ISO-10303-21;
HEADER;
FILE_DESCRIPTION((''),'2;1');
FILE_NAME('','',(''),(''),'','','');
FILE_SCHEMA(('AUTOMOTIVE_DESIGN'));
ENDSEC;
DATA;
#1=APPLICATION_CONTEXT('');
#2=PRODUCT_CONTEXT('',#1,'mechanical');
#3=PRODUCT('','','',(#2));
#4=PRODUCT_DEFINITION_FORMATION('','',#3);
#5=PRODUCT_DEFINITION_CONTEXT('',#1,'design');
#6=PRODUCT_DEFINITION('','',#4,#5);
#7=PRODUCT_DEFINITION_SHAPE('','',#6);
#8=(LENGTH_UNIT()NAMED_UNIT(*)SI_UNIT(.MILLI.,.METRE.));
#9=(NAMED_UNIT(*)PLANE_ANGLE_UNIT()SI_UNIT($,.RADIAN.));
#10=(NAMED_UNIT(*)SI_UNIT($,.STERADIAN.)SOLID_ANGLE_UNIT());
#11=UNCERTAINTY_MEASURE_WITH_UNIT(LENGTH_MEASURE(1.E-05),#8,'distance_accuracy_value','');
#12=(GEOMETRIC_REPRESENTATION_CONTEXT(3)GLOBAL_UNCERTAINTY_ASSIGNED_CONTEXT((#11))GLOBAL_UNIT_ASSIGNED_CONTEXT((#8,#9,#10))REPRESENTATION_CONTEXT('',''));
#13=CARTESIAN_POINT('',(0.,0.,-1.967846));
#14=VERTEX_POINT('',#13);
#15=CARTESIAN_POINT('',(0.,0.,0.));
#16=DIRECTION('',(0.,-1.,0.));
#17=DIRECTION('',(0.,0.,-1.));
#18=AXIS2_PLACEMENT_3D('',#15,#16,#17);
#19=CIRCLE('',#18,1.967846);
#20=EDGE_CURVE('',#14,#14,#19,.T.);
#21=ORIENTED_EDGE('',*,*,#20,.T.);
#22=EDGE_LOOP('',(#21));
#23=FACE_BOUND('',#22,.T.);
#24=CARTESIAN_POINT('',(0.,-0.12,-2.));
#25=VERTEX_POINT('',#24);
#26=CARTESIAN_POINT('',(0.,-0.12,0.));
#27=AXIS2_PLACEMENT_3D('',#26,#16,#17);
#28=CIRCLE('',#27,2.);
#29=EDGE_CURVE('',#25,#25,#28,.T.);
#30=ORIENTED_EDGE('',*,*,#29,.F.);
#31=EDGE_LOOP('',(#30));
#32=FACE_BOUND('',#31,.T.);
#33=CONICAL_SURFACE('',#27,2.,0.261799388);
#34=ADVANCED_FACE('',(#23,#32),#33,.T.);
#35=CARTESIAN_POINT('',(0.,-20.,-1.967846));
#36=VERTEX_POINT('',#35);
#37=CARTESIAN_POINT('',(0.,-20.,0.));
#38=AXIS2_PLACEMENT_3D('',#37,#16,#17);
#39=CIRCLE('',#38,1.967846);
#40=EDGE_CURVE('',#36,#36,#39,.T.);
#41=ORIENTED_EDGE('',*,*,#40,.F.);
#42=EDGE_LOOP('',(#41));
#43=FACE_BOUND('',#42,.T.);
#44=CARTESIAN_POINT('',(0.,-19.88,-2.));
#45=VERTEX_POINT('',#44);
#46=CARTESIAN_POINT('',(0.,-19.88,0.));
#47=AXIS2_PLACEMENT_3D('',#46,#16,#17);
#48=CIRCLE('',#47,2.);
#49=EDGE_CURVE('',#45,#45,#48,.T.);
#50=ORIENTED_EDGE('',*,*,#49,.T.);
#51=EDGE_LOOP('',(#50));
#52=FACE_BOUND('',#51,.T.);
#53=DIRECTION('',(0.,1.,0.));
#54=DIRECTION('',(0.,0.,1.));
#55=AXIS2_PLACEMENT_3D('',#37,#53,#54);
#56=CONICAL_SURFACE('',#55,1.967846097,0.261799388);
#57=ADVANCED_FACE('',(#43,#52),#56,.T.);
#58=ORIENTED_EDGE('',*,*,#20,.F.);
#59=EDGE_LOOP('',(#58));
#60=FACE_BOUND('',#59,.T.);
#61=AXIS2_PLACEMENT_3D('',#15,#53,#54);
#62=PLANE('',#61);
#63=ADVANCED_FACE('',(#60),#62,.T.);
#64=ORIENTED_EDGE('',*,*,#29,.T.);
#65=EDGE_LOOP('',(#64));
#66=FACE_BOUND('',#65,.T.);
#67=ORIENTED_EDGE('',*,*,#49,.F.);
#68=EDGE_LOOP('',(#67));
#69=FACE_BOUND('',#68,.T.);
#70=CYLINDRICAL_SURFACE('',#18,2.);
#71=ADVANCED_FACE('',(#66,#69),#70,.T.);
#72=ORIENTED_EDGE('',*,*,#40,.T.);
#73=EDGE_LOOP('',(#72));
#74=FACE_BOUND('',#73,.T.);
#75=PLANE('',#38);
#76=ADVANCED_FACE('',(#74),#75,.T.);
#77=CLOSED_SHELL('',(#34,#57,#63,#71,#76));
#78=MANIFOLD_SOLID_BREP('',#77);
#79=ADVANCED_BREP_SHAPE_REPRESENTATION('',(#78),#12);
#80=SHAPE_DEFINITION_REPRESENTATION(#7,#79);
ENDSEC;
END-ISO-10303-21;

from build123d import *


with BuildPart() as part:
    # Esquisse1 → Base-Révolution (revolve)
    with BuildSketch(Plane.XY, mode=Mode.PRIVATE) as base_r_volution_sk:
        Polygon((2, -19.88), (2, -0.12), (1.967846097, 0), (0, 0), (0, -20), (1.967846097, -20), align=None)
    revolve(base_r_volution_sk.sketch.rotate(Axis((0, 0, 0), (0, 1, 0)), 90), axis=Axis((0, 0, 0), (0, 1, 0)))


solid = part.part
